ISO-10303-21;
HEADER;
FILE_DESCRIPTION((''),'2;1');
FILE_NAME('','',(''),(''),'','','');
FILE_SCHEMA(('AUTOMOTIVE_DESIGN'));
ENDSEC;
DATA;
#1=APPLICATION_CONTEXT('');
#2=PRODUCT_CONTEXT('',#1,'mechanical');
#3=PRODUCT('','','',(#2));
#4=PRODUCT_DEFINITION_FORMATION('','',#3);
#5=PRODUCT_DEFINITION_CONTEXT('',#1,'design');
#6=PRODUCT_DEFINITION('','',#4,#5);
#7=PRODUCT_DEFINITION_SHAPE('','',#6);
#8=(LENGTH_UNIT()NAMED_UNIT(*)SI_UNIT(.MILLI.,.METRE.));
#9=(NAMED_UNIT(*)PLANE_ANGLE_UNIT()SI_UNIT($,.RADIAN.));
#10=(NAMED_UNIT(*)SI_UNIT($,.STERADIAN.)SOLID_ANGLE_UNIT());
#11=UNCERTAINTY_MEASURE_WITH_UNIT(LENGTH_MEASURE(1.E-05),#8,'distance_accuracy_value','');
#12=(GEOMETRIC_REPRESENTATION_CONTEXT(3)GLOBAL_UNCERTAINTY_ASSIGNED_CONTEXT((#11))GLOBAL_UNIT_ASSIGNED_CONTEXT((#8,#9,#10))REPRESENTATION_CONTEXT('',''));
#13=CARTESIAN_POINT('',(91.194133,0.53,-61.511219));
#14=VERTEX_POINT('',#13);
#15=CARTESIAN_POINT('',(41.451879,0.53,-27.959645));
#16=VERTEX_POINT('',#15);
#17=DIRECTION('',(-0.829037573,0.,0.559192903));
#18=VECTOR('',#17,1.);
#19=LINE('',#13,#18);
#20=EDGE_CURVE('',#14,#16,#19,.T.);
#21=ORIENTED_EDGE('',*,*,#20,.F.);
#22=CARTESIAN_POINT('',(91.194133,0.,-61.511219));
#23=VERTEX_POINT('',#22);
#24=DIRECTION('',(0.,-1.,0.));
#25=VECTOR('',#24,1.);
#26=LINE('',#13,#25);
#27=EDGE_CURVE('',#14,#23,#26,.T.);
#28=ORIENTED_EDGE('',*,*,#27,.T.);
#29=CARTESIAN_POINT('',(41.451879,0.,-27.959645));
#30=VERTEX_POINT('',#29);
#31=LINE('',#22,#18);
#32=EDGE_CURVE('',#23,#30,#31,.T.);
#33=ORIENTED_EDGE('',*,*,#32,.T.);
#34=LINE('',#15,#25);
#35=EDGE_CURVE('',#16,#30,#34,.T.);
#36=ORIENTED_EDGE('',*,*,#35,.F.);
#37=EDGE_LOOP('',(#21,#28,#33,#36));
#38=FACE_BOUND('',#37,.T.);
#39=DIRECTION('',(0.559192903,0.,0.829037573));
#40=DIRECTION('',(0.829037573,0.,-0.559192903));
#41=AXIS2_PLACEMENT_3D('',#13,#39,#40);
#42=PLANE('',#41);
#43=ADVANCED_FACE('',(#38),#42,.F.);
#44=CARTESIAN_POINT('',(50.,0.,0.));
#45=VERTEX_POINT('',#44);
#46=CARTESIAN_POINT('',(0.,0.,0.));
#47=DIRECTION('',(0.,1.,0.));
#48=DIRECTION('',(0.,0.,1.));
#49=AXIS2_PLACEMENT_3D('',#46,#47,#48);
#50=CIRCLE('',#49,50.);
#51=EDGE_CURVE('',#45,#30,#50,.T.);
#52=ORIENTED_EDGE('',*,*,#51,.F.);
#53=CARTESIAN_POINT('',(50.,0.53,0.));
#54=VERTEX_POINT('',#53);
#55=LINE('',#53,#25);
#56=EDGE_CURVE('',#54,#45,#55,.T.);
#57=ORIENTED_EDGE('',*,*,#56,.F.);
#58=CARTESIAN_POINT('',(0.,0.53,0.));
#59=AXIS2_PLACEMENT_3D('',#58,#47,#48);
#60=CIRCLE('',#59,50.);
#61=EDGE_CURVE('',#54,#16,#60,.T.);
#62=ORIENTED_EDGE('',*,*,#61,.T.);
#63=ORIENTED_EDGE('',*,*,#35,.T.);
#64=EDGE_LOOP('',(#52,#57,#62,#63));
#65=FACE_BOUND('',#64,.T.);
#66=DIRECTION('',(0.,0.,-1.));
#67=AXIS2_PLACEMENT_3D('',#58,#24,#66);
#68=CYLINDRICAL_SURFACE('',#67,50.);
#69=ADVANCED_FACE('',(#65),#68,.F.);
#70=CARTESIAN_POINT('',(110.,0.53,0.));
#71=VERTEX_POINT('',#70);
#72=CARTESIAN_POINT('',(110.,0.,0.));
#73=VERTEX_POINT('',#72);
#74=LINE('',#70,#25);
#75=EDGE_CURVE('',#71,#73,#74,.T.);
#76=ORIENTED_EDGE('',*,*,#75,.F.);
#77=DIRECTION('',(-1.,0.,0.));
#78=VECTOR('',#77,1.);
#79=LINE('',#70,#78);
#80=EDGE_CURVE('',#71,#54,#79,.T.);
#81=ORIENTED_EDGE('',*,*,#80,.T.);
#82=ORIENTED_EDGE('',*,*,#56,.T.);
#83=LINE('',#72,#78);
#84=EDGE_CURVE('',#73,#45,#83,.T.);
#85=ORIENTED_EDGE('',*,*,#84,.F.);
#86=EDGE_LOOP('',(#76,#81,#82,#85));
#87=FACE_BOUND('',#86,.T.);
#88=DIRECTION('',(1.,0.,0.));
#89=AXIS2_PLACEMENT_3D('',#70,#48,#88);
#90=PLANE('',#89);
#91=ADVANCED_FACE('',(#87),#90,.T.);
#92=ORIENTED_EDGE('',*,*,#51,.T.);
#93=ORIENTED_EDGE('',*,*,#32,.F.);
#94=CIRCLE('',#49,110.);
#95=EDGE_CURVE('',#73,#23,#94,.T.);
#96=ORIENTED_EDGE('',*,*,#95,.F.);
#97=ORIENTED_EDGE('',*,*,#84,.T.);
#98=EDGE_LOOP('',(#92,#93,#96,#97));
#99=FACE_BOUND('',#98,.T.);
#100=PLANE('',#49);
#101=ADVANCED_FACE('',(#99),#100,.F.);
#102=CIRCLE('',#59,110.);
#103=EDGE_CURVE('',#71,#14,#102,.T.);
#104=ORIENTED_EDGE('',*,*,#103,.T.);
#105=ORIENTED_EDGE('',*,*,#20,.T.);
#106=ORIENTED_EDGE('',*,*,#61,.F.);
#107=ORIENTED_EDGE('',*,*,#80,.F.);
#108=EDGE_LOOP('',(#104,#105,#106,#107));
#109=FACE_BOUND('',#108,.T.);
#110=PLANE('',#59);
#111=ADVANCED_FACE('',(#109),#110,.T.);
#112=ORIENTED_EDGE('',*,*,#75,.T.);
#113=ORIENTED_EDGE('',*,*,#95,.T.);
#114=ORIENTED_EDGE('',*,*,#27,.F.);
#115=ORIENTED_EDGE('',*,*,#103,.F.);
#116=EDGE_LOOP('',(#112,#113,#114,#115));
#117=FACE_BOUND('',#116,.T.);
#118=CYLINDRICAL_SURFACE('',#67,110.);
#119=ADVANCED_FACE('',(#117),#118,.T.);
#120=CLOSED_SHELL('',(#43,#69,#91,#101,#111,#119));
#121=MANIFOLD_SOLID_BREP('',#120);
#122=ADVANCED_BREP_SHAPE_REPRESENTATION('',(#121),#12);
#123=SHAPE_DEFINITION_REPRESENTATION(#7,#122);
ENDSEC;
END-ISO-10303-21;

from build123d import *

# Parameters (mm, degrees)
EXTRUDE_1_DEPTH = 0.53


with BuildPart() as part:
    # 草图1 → 凸台-拉伸1 (new body)
    with BuildSketch(Plane(origin=(0, 0, 0), x_dir=(1, 0, 0), z_dir=(0, 1, 0))):
        with BuildLine():
            Line((91.194132981, 61.511219382), (41.451878628, 27.959645174))
            ThreePointArc((41.451878628, 27.959645174), (47.815237798, 14.618585236), (50, 0))
            Line((50, 0), (110, 0))
            ThreePointArc((110, 0), (105.193523156, 32.16088752), (91.194132981, 61.511219382))
        make_face()
    extrude(amount=EXTRUDE_1_DEPTH)


solid = part.part
